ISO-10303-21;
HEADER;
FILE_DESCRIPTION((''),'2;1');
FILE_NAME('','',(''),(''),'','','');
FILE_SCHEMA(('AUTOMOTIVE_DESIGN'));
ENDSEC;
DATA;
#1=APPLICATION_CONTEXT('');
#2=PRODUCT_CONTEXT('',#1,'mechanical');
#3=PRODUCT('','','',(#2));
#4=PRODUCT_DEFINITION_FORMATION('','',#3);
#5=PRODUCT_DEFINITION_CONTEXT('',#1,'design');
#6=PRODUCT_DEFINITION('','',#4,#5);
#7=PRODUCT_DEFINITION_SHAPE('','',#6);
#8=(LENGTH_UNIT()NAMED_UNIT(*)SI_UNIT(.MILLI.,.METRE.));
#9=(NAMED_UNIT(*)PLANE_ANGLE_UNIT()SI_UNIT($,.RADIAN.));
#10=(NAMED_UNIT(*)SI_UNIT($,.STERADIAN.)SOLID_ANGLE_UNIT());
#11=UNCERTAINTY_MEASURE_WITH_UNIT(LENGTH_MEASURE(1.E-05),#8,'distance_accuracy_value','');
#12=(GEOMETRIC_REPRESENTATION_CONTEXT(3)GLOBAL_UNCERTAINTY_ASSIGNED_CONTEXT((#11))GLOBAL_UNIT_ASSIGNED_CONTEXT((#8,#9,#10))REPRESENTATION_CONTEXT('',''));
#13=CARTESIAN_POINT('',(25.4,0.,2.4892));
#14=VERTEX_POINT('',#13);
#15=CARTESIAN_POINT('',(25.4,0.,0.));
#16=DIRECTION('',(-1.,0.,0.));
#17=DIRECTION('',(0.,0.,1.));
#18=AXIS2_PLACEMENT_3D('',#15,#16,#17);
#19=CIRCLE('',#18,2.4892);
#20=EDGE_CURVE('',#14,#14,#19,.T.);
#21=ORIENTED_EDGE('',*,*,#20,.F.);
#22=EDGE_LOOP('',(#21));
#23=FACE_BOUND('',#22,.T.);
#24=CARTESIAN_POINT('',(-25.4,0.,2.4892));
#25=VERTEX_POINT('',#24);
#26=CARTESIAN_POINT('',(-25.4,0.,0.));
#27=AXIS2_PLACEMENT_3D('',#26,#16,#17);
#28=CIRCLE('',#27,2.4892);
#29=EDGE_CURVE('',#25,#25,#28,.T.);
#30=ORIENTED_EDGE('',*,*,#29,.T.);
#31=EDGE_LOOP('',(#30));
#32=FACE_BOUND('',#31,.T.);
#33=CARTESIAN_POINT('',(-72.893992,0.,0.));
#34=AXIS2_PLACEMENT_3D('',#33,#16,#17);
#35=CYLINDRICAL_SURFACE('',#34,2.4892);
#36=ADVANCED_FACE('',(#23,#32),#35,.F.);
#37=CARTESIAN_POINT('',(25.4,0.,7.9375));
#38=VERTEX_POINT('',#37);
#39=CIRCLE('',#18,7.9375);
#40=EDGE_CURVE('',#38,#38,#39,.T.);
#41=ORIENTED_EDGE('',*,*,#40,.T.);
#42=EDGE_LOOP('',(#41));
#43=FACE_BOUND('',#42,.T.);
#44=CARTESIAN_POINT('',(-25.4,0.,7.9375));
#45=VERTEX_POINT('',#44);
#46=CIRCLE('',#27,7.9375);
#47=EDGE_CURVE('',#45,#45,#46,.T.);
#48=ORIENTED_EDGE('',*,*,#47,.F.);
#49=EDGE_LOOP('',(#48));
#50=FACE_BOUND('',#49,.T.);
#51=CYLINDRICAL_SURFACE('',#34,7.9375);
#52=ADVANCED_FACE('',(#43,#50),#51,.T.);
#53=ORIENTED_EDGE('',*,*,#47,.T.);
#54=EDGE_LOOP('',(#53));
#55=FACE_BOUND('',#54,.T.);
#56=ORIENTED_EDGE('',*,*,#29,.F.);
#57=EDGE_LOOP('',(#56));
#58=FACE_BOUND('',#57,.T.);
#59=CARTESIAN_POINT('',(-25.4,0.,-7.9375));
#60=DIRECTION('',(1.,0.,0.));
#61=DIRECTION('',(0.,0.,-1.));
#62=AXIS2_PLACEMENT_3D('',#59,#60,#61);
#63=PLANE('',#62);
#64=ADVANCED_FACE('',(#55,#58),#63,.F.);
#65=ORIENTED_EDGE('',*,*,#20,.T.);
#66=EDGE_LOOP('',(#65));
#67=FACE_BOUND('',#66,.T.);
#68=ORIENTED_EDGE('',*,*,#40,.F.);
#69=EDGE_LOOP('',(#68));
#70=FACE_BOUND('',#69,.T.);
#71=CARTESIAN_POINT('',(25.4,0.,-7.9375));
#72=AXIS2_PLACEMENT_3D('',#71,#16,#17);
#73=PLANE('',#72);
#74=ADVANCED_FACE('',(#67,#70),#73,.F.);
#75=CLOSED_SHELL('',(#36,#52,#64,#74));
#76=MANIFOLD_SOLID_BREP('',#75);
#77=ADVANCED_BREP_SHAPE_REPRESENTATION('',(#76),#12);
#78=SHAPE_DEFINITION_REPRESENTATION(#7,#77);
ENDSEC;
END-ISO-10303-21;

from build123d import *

# Parameters (mm, degrees)
SKETCH1_W = 50.8
SKETCH1_H = 5.4483


with BuildPart() as part:
    # Sketch1 → Revolve1 (revolve)
    with BuildSketch(Plane(origin=(0, 0, 0), x_dir=(1, 0, 0), z_dir=(0, 1, 0)), mode=Mode.PRIVATE) as revolve1_sk:
        with Locations((0, 5.21335)):
            Rectangle(SKETCH1_W, SKETCH1_H)
    revolve(revolve1_sk.sketch.rotate(Axis((-72.893991897, 0, 0), (1, 0, 0)), 180), axis=Axis((-72.893991897, 0, 0), (1, 0, 0)))


solid = part.part
